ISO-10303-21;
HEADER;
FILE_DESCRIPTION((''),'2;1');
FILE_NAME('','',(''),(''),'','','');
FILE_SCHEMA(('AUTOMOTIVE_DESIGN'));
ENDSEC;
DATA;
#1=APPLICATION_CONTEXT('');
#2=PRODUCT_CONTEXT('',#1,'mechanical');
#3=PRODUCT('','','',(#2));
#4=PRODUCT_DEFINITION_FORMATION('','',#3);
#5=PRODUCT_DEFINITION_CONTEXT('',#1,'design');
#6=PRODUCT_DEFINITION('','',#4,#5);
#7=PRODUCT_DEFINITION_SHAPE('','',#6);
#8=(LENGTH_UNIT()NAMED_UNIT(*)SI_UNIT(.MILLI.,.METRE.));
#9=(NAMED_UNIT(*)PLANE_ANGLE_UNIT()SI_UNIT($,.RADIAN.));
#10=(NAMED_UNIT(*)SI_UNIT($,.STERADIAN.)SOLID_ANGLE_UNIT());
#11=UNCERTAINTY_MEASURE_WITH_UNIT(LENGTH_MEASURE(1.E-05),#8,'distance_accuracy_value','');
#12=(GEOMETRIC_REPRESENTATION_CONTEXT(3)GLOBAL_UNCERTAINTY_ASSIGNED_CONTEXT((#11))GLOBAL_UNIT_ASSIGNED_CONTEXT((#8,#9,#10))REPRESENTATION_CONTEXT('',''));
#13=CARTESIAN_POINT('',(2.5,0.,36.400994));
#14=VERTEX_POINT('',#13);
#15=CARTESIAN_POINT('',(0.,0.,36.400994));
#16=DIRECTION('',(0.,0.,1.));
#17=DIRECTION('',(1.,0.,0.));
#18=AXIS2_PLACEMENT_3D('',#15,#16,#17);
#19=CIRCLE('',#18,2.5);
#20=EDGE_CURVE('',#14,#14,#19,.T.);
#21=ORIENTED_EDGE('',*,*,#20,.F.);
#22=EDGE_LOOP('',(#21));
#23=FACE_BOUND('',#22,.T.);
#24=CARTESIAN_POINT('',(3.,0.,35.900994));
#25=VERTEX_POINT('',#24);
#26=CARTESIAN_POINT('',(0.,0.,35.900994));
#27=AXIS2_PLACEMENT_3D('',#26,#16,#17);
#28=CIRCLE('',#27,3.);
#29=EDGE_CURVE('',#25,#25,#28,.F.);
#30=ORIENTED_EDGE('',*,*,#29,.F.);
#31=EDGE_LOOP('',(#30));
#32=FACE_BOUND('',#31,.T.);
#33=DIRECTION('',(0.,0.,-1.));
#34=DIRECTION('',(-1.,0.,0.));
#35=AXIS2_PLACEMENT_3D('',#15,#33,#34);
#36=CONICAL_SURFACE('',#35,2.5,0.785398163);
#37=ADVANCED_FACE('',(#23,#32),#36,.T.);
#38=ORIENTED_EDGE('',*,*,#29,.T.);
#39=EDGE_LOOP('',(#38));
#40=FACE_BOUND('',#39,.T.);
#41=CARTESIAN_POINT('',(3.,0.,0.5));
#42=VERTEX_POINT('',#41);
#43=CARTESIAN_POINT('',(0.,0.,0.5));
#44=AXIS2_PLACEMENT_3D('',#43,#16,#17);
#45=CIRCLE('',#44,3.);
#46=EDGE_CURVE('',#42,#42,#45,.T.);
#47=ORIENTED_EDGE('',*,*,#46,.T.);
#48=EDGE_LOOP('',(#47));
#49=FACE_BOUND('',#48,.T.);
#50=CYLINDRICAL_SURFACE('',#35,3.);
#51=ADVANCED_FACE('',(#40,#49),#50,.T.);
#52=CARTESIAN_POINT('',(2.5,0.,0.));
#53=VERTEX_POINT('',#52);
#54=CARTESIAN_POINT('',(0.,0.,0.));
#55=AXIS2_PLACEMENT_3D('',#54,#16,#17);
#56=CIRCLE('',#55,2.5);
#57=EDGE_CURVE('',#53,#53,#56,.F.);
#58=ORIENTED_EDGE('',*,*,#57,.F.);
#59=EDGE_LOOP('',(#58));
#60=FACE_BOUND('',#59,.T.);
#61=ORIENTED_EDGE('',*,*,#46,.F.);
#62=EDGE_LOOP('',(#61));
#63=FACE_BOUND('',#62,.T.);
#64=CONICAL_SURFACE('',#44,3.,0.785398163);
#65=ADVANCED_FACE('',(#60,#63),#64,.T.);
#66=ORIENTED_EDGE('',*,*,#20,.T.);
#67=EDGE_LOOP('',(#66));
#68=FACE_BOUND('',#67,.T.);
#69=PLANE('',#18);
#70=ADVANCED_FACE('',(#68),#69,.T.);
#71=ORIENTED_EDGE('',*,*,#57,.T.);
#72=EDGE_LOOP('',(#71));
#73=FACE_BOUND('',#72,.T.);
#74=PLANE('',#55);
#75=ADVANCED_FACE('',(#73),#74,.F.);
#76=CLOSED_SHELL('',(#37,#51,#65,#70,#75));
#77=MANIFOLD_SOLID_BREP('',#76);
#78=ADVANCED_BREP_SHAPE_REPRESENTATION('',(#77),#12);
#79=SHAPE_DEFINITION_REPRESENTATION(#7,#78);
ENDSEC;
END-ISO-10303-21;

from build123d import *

# Parameters (mm, degrees)
SKETCH1_R           = 3
BOSS_EXTRUDE1_DEPTH = 36.40099384
CHAMFER1_SIZE       = 0.5


with BuildPart() as part:
    # Sketch1 → Boss-Extrude1 (new body)
    with BuildSketch(Plane.XY):
        Circle(SKETCH1_R)
    extrude(amount=BOSS_EXTRUDE1_DEPTH)

    # Chamfer1
    chamfer1_edges = [part.edges().sort_by_distance(p)[0] for p in [
        (-3, 0, 0),
        (-3, 0, 36.40099384),
    ]]
    chamfer(chamfer1_edges, length=CHAMFER1_SIZE)


solid = part.part
